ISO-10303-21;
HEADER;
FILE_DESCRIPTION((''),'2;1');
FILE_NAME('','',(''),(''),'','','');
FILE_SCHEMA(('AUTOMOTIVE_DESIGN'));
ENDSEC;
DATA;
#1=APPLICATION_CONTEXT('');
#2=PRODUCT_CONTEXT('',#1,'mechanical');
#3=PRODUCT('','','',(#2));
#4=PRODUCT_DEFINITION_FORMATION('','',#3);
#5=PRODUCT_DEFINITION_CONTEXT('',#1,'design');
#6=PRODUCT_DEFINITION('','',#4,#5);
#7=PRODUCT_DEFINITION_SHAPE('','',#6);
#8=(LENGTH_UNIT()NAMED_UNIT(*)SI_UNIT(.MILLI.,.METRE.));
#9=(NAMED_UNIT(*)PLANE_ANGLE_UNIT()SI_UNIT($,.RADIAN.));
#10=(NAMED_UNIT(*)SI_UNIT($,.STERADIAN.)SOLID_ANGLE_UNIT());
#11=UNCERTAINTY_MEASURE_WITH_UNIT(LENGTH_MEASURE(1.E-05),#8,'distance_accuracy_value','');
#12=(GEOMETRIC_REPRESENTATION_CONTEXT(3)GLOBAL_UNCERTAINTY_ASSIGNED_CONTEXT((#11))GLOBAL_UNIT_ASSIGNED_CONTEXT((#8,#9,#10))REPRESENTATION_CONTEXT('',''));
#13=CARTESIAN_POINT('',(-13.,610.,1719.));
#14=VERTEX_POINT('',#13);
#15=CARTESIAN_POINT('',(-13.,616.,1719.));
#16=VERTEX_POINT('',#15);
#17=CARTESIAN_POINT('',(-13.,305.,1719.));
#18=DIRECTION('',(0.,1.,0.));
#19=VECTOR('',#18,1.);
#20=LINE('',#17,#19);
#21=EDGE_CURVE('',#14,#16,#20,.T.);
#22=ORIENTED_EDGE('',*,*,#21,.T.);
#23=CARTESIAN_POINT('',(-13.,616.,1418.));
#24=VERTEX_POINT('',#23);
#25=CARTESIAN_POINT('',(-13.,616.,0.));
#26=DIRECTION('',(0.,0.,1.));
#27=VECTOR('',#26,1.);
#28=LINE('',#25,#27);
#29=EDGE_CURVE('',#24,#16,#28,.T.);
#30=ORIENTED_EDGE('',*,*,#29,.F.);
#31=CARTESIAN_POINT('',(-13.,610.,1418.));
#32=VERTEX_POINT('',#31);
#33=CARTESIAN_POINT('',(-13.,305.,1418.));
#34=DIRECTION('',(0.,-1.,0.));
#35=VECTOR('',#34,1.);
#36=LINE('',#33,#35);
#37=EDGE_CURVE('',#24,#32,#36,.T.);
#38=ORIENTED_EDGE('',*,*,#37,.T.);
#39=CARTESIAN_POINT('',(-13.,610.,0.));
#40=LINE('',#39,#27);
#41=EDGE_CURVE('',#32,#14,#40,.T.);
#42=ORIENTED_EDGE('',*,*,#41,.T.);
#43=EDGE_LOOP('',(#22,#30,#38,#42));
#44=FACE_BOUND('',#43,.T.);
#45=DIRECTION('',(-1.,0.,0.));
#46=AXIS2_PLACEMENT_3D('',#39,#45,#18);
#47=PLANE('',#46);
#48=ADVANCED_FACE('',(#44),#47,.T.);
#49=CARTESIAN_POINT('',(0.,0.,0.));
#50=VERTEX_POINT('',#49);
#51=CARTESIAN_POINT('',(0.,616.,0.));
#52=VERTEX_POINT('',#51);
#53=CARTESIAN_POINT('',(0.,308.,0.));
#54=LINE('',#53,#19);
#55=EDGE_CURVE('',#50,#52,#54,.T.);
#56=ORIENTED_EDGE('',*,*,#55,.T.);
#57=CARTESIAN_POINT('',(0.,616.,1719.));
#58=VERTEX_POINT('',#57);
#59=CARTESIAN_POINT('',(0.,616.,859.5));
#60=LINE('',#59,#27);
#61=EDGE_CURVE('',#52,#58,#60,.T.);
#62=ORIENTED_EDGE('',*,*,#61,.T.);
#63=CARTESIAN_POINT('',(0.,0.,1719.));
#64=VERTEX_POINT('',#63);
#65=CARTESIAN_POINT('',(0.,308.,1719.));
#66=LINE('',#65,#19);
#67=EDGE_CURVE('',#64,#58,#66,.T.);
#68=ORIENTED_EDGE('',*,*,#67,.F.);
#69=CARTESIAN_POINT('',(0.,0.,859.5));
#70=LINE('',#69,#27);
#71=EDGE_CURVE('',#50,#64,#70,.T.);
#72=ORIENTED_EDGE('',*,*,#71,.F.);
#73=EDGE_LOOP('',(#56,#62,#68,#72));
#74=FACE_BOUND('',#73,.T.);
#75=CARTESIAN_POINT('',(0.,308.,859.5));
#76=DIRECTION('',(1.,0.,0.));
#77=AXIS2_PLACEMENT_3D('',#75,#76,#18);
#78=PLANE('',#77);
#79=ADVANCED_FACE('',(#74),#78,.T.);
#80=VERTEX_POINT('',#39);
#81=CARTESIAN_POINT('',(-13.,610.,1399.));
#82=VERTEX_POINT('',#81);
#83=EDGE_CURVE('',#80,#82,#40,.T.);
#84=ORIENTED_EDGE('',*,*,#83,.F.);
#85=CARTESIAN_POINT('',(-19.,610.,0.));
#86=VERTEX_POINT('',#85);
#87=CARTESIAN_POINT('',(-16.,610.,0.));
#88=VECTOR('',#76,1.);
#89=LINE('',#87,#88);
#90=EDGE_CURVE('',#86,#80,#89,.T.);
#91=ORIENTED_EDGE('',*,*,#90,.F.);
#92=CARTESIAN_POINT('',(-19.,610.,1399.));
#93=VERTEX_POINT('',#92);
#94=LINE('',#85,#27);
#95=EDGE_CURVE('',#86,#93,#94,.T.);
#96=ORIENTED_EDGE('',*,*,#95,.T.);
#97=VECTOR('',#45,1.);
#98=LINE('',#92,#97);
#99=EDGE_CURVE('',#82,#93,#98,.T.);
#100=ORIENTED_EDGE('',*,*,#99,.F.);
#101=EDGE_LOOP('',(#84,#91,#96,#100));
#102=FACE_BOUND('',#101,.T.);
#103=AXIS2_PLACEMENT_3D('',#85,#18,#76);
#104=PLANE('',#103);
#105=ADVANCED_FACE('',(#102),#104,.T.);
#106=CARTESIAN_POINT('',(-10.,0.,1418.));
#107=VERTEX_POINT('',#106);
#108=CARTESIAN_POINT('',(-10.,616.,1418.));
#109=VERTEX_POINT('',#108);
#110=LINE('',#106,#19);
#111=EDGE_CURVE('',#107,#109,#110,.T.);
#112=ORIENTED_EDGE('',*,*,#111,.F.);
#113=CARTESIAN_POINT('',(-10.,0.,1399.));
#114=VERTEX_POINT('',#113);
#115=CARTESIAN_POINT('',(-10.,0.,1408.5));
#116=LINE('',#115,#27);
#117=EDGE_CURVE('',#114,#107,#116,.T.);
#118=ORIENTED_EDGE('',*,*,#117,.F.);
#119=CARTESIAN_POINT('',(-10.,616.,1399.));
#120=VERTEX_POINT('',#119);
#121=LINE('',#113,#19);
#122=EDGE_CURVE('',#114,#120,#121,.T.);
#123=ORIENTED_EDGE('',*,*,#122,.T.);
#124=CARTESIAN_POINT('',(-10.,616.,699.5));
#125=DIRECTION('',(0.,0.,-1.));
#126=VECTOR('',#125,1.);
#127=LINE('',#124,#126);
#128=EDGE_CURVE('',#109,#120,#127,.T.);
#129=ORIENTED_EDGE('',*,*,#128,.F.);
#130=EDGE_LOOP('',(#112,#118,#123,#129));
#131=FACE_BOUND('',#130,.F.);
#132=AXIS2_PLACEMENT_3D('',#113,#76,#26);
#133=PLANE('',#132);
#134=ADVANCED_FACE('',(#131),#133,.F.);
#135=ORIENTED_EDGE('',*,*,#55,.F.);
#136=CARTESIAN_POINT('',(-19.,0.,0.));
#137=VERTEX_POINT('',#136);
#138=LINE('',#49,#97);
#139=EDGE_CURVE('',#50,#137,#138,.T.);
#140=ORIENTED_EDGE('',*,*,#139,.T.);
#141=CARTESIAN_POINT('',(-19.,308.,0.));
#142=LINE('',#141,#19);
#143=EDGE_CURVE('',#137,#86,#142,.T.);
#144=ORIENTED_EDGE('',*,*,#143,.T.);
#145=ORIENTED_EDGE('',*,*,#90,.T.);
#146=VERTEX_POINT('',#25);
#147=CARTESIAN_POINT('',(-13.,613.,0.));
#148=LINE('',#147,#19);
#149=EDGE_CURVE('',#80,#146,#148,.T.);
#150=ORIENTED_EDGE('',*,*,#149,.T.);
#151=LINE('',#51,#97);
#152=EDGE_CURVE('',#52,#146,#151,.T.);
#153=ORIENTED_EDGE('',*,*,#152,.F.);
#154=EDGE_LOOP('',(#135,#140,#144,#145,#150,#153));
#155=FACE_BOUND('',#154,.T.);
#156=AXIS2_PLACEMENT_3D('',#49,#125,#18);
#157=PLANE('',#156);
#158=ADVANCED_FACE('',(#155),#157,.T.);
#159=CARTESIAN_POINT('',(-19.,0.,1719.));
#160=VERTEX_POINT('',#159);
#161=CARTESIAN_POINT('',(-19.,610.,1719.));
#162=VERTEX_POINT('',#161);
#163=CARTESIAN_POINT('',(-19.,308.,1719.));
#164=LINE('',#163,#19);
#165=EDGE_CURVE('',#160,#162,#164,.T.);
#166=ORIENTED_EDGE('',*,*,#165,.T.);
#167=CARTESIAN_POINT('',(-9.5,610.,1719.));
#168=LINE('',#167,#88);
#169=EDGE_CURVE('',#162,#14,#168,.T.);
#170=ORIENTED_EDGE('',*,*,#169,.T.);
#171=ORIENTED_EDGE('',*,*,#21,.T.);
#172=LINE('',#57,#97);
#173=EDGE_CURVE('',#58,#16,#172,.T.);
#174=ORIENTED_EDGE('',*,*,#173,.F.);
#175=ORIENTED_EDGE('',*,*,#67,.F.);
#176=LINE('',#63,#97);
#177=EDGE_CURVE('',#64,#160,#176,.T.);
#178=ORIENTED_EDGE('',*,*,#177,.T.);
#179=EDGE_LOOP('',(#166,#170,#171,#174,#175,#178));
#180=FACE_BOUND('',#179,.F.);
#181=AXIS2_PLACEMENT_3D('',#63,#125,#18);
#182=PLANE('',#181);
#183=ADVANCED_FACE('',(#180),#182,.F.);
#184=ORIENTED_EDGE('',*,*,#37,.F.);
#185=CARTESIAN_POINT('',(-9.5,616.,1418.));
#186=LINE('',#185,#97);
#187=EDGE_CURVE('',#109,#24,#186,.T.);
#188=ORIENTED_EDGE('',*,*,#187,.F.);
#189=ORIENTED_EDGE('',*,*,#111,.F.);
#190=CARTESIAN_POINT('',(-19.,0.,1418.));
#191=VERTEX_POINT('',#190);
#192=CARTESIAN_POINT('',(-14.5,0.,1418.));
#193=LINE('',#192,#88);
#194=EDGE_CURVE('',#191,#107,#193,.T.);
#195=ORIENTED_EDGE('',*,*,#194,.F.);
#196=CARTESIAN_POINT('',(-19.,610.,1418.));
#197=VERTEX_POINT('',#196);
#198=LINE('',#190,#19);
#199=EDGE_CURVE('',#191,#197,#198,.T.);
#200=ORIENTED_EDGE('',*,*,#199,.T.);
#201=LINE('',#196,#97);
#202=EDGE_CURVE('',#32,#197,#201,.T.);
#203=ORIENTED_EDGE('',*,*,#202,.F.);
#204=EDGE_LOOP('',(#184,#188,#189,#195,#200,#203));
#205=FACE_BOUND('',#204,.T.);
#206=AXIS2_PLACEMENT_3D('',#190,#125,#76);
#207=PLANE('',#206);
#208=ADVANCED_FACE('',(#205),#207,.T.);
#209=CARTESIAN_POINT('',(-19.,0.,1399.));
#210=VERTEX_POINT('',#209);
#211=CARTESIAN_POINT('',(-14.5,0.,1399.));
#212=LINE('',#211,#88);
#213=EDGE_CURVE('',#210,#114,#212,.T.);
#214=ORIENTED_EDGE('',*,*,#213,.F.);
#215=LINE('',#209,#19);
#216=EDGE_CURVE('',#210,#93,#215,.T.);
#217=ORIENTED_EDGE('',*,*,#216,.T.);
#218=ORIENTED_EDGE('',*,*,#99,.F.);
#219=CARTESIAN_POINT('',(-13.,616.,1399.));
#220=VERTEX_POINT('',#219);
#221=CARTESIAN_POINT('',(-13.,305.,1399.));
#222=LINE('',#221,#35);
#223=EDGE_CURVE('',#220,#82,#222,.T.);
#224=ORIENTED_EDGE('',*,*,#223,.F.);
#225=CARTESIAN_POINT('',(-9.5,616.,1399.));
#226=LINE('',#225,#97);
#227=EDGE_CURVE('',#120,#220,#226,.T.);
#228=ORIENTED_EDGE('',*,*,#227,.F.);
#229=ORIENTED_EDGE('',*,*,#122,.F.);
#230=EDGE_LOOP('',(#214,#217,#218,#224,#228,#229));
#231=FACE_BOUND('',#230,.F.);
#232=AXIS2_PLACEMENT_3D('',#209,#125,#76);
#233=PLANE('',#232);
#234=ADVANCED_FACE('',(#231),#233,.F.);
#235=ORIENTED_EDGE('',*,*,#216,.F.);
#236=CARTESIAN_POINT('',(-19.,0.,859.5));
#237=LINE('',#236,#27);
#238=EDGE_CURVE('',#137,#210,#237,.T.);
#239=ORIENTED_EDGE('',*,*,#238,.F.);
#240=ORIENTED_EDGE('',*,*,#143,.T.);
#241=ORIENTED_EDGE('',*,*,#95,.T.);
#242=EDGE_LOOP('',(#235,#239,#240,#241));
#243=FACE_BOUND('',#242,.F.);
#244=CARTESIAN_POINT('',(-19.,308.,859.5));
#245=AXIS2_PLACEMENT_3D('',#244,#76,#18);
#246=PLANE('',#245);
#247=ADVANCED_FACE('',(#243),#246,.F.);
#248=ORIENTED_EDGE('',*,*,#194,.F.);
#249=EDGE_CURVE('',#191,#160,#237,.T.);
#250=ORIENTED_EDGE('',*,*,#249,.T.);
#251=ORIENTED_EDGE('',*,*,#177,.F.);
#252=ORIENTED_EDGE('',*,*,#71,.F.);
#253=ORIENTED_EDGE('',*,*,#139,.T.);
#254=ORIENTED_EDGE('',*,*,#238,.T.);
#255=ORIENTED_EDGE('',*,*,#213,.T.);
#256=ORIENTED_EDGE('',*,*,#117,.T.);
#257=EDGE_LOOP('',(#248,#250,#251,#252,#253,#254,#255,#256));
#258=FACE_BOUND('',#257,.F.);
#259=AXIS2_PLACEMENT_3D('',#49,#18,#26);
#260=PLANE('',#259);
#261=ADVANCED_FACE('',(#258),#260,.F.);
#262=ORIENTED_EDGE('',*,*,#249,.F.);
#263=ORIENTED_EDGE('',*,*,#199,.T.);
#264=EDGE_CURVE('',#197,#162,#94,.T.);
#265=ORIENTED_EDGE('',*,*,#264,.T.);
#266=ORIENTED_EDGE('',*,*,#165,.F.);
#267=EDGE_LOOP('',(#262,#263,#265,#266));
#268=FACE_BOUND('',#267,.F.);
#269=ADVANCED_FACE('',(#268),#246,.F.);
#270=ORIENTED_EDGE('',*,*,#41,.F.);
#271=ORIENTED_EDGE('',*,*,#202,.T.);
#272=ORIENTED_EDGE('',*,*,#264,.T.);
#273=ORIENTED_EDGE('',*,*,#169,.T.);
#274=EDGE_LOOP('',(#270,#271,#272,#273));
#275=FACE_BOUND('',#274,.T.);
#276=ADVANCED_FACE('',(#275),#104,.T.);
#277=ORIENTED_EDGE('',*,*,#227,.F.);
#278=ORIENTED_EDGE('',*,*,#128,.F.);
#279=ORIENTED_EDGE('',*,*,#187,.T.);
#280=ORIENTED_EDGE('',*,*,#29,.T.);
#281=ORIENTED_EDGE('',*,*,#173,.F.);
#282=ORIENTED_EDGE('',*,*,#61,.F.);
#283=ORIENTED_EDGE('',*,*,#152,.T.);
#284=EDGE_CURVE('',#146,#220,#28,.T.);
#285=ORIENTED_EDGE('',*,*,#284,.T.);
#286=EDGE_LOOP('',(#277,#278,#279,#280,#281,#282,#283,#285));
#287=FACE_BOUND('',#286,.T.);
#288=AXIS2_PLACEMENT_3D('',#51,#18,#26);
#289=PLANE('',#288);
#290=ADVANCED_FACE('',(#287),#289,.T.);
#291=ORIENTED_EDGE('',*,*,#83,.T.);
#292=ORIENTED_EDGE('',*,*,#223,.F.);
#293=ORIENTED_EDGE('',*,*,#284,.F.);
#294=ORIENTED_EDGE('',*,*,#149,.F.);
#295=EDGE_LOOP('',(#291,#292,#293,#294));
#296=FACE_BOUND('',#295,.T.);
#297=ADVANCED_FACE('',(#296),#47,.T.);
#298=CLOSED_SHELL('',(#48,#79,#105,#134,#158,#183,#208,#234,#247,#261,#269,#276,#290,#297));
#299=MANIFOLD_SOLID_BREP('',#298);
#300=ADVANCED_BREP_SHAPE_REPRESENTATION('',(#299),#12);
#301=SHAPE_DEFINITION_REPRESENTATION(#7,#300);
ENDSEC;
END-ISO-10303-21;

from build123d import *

# Parameters (mm, degrees)
F0_W     = 616
F0_H     = 1719
F1_DEPTH = 19
F2_W     = 6
F2_H     = 6
F3_DEPTH = 1719.001
F4_W     = 9
F4_H     = 19
F5_DEPTH = 616.001


with BuildPart() as f1:
    # F0 (on Right) → F1 (new body)
    with BuildSketch(Plane.YZ):
        with Locations((308, 859.5)):
            Rectangle(F0_W, F0_H)
    extrude(amount=-F1_DEPTH)

    # F2 (on Top) → F3 (cut, through all)
    with BuildSketch(Plane.XY):
        with Locations((-16, 613)):
            Rectangle(F2_W, F2_H)
    extrude(amount=F3_DEPTH, mode=Mode.SUBTRACT)

    # F4 (on Front) → F5 (cut, through all)
    with BuildSketch(Plane.XZ):
        with Locations((-14.5, 1408.5)):
            Rectangle(F4_W, F4_H)
    extrude(amount=-F5_DEPTH, mode=Mode.SUBTRACT)


solid = f1.part
